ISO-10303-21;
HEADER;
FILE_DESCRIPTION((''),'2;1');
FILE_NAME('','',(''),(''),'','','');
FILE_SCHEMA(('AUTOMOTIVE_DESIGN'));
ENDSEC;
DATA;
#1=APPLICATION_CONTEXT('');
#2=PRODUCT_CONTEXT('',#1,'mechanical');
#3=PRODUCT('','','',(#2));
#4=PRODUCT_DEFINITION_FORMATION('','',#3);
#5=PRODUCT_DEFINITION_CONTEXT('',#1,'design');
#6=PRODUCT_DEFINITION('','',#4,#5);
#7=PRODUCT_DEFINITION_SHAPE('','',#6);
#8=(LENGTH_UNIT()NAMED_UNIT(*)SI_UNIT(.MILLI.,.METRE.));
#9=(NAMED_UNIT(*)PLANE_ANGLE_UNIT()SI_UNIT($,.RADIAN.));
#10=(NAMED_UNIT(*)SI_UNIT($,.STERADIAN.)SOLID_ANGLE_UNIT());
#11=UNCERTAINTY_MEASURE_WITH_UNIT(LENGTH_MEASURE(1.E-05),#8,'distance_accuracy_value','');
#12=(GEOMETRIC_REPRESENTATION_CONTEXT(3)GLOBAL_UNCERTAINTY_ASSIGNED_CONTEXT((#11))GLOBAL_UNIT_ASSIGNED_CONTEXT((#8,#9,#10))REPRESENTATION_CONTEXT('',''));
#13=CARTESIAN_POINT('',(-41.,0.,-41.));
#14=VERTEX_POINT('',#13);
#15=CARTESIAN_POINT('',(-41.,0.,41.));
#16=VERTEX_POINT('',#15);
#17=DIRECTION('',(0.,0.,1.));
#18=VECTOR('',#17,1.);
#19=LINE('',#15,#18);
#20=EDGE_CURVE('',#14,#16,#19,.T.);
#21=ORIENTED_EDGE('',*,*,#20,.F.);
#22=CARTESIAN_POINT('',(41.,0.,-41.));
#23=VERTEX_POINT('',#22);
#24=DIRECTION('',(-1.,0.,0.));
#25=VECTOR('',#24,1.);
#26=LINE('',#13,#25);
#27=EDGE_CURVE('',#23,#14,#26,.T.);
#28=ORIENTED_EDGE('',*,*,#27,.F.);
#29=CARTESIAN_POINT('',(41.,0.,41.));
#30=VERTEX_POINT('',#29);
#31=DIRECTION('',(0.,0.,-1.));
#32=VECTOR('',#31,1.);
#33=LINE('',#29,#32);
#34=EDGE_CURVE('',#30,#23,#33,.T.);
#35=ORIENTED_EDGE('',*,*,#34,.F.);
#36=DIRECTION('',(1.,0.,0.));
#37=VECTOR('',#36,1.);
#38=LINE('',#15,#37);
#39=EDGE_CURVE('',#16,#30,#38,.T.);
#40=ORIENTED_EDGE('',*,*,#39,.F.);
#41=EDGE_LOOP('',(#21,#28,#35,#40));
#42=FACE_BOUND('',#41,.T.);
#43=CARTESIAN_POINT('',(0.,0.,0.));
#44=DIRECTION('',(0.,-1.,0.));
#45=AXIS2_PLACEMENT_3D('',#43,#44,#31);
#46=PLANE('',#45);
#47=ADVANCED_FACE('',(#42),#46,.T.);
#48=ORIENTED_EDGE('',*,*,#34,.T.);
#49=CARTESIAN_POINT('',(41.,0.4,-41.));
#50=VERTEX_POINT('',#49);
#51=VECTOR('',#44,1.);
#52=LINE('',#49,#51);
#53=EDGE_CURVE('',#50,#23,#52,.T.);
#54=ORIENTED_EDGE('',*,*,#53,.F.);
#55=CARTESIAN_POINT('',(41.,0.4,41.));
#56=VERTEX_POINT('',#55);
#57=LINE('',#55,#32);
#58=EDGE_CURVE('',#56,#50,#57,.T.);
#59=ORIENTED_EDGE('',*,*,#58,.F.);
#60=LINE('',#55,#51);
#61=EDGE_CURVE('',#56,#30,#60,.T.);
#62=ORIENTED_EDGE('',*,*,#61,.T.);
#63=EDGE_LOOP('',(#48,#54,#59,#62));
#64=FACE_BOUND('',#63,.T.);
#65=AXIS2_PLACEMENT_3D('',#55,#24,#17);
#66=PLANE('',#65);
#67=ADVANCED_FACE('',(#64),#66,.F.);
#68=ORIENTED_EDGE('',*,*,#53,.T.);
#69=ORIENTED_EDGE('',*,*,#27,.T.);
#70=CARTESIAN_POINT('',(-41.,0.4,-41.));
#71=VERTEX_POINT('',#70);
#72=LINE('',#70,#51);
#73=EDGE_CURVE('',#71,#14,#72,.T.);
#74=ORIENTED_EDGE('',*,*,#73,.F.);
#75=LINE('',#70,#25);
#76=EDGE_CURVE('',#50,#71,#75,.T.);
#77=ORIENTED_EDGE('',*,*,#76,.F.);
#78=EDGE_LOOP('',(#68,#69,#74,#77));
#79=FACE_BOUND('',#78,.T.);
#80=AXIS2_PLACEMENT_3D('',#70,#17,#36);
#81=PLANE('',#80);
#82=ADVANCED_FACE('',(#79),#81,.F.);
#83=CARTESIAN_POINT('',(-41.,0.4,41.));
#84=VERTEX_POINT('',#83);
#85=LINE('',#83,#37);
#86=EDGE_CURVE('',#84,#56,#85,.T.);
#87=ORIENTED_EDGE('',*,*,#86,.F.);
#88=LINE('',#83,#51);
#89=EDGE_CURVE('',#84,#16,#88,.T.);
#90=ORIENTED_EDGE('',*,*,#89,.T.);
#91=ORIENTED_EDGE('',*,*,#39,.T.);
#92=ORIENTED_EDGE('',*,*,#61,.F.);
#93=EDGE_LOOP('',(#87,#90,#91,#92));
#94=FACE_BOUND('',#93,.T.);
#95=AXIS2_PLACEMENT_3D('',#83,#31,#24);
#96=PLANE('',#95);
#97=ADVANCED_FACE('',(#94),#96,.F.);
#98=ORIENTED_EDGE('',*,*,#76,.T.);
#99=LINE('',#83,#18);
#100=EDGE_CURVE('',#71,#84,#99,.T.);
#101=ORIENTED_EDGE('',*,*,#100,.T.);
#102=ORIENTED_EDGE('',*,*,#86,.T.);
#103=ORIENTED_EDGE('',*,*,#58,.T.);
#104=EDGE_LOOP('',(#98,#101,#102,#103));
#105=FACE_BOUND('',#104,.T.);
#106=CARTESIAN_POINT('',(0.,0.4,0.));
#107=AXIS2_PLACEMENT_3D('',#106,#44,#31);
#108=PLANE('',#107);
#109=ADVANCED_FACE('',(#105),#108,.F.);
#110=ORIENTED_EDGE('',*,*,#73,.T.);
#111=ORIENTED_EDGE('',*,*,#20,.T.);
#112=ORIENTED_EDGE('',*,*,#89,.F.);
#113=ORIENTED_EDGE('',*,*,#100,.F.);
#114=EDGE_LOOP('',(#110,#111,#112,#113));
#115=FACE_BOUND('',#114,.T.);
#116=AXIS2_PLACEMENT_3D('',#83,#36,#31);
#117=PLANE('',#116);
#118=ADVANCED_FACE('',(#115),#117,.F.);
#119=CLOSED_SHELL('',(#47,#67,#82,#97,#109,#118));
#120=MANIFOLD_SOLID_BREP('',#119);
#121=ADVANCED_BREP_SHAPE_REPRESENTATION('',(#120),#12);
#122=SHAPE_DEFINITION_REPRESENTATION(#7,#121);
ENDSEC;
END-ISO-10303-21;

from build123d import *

# Parameters (mm, degrees)
SKETCH_1_W      = 82
SKETCH_1_H      = 82
EXTRUDE_1_DEPTH = 0.4


with BuildPart() as part:
    # 草图1 → 凸台-拉伸1 (new body)
    with BuildSketch(Plane(origin=(0, 0, 0), x_dir=(1, 0, 0), z_dir=(0, 1, 0))):
        Rectangle(SKETCH_1_W, SKETCH_1_H)
    extrude(amount=EXTRUDE_1_DEPTH)


solid = part.part
